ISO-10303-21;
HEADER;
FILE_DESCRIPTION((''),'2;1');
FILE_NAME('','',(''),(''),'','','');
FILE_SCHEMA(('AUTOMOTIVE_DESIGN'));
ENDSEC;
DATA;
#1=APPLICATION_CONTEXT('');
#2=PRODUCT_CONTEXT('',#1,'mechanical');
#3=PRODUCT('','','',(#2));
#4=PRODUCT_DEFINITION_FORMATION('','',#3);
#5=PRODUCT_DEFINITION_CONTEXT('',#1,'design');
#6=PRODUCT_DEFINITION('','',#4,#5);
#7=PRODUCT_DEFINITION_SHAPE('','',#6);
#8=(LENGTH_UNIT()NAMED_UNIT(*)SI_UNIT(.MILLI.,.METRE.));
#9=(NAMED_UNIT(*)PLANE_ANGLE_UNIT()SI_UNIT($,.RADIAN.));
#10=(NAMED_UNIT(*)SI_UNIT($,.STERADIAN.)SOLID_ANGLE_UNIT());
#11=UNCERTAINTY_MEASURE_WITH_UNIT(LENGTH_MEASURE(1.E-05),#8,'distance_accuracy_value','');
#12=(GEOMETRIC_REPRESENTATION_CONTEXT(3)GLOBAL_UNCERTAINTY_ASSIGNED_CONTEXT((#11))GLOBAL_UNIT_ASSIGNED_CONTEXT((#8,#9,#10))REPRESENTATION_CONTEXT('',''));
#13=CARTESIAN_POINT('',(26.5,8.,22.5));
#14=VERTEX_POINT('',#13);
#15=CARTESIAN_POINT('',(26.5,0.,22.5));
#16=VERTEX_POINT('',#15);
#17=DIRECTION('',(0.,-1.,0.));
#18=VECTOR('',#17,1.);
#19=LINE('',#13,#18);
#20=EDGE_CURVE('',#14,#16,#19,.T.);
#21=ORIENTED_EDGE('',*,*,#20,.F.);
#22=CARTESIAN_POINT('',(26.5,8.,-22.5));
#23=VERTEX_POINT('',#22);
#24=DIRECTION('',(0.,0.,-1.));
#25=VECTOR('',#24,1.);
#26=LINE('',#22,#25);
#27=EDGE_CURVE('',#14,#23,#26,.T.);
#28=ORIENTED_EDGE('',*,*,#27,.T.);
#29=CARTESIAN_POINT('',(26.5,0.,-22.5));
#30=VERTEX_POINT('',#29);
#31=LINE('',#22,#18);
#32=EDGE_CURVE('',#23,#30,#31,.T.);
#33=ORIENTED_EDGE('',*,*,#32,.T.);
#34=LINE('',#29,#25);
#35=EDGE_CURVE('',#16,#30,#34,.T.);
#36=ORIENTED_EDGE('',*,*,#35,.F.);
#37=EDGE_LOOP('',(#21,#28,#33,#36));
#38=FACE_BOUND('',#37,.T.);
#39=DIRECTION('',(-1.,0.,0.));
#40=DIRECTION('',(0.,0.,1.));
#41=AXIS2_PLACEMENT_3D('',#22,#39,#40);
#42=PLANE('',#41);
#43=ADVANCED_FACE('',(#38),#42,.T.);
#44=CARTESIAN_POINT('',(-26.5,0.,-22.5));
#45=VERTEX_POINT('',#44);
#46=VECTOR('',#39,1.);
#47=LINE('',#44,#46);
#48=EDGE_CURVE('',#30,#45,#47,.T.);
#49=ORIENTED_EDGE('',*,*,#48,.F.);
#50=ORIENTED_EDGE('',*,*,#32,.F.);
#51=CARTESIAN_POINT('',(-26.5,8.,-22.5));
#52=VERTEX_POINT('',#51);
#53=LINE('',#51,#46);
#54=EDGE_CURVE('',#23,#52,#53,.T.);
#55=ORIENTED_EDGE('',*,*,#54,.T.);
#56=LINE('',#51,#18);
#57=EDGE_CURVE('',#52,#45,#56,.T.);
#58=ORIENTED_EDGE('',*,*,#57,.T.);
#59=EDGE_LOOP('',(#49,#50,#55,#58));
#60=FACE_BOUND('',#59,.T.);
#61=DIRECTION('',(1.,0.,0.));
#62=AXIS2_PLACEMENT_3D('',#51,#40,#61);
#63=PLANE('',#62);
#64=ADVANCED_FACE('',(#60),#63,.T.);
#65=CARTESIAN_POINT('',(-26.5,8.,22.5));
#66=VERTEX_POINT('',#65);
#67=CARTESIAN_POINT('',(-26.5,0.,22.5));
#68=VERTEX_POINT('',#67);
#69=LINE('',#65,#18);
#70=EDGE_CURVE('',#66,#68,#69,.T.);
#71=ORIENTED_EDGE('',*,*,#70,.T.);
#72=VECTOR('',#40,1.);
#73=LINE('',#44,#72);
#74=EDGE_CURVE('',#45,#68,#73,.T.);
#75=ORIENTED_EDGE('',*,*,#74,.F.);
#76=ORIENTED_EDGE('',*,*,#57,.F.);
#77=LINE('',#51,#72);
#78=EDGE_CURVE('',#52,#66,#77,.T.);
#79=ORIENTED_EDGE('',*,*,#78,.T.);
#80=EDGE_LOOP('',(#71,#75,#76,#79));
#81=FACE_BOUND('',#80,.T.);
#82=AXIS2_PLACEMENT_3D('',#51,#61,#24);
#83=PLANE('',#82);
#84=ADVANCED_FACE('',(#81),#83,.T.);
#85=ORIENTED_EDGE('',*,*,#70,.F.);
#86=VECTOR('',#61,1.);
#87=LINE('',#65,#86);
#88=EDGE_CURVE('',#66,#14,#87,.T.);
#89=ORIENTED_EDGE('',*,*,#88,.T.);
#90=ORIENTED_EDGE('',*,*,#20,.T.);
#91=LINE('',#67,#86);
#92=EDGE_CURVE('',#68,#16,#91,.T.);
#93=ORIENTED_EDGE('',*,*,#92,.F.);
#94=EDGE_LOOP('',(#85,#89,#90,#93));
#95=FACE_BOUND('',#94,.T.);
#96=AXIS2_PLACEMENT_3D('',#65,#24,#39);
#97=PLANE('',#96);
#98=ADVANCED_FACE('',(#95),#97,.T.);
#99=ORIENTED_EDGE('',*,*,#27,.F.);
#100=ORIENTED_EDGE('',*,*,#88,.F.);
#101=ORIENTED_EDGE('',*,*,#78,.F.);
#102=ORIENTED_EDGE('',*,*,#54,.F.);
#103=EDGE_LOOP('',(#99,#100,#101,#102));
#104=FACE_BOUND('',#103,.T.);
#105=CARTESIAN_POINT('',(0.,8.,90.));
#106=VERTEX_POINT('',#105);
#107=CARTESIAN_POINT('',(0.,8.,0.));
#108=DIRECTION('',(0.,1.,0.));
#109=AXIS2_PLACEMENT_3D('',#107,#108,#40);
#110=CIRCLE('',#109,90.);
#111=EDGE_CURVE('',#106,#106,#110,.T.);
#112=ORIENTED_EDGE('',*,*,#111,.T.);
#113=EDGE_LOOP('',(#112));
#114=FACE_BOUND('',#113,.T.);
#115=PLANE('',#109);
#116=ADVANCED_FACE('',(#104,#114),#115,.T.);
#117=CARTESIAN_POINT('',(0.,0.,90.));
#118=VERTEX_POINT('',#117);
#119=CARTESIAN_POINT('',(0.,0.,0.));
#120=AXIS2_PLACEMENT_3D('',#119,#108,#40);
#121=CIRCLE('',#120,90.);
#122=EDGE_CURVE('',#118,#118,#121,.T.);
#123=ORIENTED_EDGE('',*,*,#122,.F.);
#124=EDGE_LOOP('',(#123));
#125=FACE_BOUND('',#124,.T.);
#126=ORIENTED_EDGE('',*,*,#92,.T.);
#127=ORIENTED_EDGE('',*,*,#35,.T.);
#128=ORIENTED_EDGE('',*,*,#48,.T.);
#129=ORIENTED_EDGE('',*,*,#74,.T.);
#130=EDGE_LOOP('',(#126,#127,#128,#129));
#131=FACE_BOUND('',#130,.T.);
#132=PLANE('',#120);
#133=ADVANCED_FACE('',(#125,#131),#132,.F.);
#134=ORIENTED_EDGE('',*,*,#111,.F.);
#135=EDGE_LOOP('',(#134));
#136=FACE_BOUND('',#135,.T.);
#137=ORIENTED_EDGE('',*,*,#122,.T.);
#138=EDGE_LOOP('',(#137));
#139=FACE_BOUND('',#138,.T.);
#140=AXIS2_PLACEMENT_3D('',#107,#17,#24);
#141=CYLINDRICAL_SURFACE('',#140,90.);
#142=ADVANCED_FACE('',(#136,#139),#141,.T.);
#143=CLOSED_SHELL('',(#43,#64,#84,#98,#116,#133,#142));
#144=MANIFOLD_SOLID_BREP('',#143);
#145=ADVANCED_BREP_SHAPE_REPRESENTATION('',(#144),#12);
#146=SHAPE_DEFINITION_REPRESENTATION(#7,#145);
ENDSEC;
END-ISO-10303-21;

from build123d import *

# Parameters (mm, degrees)
SKETCH2_R      = 90
SKETCH2_W      = 53
SKETCH2_H      = 45
EXTRUDE1_DEPTH = 8


with BuildPart() as part:
    # Sketch2 → Extrude1 (new body)
    with BuildSketch(Plane(origin=(0, 0, 0), x_dir=(1, 0, 0), z_dir=(0, 1, 0))):
        Circle(SKETCH2_R)
        Rectangle(SKETCH2_W, SKETCH2_H, mode=Mode.SUBTRACT)
    extrude(amount=EXTRUDE1_DEPTH)


solid = part.part
